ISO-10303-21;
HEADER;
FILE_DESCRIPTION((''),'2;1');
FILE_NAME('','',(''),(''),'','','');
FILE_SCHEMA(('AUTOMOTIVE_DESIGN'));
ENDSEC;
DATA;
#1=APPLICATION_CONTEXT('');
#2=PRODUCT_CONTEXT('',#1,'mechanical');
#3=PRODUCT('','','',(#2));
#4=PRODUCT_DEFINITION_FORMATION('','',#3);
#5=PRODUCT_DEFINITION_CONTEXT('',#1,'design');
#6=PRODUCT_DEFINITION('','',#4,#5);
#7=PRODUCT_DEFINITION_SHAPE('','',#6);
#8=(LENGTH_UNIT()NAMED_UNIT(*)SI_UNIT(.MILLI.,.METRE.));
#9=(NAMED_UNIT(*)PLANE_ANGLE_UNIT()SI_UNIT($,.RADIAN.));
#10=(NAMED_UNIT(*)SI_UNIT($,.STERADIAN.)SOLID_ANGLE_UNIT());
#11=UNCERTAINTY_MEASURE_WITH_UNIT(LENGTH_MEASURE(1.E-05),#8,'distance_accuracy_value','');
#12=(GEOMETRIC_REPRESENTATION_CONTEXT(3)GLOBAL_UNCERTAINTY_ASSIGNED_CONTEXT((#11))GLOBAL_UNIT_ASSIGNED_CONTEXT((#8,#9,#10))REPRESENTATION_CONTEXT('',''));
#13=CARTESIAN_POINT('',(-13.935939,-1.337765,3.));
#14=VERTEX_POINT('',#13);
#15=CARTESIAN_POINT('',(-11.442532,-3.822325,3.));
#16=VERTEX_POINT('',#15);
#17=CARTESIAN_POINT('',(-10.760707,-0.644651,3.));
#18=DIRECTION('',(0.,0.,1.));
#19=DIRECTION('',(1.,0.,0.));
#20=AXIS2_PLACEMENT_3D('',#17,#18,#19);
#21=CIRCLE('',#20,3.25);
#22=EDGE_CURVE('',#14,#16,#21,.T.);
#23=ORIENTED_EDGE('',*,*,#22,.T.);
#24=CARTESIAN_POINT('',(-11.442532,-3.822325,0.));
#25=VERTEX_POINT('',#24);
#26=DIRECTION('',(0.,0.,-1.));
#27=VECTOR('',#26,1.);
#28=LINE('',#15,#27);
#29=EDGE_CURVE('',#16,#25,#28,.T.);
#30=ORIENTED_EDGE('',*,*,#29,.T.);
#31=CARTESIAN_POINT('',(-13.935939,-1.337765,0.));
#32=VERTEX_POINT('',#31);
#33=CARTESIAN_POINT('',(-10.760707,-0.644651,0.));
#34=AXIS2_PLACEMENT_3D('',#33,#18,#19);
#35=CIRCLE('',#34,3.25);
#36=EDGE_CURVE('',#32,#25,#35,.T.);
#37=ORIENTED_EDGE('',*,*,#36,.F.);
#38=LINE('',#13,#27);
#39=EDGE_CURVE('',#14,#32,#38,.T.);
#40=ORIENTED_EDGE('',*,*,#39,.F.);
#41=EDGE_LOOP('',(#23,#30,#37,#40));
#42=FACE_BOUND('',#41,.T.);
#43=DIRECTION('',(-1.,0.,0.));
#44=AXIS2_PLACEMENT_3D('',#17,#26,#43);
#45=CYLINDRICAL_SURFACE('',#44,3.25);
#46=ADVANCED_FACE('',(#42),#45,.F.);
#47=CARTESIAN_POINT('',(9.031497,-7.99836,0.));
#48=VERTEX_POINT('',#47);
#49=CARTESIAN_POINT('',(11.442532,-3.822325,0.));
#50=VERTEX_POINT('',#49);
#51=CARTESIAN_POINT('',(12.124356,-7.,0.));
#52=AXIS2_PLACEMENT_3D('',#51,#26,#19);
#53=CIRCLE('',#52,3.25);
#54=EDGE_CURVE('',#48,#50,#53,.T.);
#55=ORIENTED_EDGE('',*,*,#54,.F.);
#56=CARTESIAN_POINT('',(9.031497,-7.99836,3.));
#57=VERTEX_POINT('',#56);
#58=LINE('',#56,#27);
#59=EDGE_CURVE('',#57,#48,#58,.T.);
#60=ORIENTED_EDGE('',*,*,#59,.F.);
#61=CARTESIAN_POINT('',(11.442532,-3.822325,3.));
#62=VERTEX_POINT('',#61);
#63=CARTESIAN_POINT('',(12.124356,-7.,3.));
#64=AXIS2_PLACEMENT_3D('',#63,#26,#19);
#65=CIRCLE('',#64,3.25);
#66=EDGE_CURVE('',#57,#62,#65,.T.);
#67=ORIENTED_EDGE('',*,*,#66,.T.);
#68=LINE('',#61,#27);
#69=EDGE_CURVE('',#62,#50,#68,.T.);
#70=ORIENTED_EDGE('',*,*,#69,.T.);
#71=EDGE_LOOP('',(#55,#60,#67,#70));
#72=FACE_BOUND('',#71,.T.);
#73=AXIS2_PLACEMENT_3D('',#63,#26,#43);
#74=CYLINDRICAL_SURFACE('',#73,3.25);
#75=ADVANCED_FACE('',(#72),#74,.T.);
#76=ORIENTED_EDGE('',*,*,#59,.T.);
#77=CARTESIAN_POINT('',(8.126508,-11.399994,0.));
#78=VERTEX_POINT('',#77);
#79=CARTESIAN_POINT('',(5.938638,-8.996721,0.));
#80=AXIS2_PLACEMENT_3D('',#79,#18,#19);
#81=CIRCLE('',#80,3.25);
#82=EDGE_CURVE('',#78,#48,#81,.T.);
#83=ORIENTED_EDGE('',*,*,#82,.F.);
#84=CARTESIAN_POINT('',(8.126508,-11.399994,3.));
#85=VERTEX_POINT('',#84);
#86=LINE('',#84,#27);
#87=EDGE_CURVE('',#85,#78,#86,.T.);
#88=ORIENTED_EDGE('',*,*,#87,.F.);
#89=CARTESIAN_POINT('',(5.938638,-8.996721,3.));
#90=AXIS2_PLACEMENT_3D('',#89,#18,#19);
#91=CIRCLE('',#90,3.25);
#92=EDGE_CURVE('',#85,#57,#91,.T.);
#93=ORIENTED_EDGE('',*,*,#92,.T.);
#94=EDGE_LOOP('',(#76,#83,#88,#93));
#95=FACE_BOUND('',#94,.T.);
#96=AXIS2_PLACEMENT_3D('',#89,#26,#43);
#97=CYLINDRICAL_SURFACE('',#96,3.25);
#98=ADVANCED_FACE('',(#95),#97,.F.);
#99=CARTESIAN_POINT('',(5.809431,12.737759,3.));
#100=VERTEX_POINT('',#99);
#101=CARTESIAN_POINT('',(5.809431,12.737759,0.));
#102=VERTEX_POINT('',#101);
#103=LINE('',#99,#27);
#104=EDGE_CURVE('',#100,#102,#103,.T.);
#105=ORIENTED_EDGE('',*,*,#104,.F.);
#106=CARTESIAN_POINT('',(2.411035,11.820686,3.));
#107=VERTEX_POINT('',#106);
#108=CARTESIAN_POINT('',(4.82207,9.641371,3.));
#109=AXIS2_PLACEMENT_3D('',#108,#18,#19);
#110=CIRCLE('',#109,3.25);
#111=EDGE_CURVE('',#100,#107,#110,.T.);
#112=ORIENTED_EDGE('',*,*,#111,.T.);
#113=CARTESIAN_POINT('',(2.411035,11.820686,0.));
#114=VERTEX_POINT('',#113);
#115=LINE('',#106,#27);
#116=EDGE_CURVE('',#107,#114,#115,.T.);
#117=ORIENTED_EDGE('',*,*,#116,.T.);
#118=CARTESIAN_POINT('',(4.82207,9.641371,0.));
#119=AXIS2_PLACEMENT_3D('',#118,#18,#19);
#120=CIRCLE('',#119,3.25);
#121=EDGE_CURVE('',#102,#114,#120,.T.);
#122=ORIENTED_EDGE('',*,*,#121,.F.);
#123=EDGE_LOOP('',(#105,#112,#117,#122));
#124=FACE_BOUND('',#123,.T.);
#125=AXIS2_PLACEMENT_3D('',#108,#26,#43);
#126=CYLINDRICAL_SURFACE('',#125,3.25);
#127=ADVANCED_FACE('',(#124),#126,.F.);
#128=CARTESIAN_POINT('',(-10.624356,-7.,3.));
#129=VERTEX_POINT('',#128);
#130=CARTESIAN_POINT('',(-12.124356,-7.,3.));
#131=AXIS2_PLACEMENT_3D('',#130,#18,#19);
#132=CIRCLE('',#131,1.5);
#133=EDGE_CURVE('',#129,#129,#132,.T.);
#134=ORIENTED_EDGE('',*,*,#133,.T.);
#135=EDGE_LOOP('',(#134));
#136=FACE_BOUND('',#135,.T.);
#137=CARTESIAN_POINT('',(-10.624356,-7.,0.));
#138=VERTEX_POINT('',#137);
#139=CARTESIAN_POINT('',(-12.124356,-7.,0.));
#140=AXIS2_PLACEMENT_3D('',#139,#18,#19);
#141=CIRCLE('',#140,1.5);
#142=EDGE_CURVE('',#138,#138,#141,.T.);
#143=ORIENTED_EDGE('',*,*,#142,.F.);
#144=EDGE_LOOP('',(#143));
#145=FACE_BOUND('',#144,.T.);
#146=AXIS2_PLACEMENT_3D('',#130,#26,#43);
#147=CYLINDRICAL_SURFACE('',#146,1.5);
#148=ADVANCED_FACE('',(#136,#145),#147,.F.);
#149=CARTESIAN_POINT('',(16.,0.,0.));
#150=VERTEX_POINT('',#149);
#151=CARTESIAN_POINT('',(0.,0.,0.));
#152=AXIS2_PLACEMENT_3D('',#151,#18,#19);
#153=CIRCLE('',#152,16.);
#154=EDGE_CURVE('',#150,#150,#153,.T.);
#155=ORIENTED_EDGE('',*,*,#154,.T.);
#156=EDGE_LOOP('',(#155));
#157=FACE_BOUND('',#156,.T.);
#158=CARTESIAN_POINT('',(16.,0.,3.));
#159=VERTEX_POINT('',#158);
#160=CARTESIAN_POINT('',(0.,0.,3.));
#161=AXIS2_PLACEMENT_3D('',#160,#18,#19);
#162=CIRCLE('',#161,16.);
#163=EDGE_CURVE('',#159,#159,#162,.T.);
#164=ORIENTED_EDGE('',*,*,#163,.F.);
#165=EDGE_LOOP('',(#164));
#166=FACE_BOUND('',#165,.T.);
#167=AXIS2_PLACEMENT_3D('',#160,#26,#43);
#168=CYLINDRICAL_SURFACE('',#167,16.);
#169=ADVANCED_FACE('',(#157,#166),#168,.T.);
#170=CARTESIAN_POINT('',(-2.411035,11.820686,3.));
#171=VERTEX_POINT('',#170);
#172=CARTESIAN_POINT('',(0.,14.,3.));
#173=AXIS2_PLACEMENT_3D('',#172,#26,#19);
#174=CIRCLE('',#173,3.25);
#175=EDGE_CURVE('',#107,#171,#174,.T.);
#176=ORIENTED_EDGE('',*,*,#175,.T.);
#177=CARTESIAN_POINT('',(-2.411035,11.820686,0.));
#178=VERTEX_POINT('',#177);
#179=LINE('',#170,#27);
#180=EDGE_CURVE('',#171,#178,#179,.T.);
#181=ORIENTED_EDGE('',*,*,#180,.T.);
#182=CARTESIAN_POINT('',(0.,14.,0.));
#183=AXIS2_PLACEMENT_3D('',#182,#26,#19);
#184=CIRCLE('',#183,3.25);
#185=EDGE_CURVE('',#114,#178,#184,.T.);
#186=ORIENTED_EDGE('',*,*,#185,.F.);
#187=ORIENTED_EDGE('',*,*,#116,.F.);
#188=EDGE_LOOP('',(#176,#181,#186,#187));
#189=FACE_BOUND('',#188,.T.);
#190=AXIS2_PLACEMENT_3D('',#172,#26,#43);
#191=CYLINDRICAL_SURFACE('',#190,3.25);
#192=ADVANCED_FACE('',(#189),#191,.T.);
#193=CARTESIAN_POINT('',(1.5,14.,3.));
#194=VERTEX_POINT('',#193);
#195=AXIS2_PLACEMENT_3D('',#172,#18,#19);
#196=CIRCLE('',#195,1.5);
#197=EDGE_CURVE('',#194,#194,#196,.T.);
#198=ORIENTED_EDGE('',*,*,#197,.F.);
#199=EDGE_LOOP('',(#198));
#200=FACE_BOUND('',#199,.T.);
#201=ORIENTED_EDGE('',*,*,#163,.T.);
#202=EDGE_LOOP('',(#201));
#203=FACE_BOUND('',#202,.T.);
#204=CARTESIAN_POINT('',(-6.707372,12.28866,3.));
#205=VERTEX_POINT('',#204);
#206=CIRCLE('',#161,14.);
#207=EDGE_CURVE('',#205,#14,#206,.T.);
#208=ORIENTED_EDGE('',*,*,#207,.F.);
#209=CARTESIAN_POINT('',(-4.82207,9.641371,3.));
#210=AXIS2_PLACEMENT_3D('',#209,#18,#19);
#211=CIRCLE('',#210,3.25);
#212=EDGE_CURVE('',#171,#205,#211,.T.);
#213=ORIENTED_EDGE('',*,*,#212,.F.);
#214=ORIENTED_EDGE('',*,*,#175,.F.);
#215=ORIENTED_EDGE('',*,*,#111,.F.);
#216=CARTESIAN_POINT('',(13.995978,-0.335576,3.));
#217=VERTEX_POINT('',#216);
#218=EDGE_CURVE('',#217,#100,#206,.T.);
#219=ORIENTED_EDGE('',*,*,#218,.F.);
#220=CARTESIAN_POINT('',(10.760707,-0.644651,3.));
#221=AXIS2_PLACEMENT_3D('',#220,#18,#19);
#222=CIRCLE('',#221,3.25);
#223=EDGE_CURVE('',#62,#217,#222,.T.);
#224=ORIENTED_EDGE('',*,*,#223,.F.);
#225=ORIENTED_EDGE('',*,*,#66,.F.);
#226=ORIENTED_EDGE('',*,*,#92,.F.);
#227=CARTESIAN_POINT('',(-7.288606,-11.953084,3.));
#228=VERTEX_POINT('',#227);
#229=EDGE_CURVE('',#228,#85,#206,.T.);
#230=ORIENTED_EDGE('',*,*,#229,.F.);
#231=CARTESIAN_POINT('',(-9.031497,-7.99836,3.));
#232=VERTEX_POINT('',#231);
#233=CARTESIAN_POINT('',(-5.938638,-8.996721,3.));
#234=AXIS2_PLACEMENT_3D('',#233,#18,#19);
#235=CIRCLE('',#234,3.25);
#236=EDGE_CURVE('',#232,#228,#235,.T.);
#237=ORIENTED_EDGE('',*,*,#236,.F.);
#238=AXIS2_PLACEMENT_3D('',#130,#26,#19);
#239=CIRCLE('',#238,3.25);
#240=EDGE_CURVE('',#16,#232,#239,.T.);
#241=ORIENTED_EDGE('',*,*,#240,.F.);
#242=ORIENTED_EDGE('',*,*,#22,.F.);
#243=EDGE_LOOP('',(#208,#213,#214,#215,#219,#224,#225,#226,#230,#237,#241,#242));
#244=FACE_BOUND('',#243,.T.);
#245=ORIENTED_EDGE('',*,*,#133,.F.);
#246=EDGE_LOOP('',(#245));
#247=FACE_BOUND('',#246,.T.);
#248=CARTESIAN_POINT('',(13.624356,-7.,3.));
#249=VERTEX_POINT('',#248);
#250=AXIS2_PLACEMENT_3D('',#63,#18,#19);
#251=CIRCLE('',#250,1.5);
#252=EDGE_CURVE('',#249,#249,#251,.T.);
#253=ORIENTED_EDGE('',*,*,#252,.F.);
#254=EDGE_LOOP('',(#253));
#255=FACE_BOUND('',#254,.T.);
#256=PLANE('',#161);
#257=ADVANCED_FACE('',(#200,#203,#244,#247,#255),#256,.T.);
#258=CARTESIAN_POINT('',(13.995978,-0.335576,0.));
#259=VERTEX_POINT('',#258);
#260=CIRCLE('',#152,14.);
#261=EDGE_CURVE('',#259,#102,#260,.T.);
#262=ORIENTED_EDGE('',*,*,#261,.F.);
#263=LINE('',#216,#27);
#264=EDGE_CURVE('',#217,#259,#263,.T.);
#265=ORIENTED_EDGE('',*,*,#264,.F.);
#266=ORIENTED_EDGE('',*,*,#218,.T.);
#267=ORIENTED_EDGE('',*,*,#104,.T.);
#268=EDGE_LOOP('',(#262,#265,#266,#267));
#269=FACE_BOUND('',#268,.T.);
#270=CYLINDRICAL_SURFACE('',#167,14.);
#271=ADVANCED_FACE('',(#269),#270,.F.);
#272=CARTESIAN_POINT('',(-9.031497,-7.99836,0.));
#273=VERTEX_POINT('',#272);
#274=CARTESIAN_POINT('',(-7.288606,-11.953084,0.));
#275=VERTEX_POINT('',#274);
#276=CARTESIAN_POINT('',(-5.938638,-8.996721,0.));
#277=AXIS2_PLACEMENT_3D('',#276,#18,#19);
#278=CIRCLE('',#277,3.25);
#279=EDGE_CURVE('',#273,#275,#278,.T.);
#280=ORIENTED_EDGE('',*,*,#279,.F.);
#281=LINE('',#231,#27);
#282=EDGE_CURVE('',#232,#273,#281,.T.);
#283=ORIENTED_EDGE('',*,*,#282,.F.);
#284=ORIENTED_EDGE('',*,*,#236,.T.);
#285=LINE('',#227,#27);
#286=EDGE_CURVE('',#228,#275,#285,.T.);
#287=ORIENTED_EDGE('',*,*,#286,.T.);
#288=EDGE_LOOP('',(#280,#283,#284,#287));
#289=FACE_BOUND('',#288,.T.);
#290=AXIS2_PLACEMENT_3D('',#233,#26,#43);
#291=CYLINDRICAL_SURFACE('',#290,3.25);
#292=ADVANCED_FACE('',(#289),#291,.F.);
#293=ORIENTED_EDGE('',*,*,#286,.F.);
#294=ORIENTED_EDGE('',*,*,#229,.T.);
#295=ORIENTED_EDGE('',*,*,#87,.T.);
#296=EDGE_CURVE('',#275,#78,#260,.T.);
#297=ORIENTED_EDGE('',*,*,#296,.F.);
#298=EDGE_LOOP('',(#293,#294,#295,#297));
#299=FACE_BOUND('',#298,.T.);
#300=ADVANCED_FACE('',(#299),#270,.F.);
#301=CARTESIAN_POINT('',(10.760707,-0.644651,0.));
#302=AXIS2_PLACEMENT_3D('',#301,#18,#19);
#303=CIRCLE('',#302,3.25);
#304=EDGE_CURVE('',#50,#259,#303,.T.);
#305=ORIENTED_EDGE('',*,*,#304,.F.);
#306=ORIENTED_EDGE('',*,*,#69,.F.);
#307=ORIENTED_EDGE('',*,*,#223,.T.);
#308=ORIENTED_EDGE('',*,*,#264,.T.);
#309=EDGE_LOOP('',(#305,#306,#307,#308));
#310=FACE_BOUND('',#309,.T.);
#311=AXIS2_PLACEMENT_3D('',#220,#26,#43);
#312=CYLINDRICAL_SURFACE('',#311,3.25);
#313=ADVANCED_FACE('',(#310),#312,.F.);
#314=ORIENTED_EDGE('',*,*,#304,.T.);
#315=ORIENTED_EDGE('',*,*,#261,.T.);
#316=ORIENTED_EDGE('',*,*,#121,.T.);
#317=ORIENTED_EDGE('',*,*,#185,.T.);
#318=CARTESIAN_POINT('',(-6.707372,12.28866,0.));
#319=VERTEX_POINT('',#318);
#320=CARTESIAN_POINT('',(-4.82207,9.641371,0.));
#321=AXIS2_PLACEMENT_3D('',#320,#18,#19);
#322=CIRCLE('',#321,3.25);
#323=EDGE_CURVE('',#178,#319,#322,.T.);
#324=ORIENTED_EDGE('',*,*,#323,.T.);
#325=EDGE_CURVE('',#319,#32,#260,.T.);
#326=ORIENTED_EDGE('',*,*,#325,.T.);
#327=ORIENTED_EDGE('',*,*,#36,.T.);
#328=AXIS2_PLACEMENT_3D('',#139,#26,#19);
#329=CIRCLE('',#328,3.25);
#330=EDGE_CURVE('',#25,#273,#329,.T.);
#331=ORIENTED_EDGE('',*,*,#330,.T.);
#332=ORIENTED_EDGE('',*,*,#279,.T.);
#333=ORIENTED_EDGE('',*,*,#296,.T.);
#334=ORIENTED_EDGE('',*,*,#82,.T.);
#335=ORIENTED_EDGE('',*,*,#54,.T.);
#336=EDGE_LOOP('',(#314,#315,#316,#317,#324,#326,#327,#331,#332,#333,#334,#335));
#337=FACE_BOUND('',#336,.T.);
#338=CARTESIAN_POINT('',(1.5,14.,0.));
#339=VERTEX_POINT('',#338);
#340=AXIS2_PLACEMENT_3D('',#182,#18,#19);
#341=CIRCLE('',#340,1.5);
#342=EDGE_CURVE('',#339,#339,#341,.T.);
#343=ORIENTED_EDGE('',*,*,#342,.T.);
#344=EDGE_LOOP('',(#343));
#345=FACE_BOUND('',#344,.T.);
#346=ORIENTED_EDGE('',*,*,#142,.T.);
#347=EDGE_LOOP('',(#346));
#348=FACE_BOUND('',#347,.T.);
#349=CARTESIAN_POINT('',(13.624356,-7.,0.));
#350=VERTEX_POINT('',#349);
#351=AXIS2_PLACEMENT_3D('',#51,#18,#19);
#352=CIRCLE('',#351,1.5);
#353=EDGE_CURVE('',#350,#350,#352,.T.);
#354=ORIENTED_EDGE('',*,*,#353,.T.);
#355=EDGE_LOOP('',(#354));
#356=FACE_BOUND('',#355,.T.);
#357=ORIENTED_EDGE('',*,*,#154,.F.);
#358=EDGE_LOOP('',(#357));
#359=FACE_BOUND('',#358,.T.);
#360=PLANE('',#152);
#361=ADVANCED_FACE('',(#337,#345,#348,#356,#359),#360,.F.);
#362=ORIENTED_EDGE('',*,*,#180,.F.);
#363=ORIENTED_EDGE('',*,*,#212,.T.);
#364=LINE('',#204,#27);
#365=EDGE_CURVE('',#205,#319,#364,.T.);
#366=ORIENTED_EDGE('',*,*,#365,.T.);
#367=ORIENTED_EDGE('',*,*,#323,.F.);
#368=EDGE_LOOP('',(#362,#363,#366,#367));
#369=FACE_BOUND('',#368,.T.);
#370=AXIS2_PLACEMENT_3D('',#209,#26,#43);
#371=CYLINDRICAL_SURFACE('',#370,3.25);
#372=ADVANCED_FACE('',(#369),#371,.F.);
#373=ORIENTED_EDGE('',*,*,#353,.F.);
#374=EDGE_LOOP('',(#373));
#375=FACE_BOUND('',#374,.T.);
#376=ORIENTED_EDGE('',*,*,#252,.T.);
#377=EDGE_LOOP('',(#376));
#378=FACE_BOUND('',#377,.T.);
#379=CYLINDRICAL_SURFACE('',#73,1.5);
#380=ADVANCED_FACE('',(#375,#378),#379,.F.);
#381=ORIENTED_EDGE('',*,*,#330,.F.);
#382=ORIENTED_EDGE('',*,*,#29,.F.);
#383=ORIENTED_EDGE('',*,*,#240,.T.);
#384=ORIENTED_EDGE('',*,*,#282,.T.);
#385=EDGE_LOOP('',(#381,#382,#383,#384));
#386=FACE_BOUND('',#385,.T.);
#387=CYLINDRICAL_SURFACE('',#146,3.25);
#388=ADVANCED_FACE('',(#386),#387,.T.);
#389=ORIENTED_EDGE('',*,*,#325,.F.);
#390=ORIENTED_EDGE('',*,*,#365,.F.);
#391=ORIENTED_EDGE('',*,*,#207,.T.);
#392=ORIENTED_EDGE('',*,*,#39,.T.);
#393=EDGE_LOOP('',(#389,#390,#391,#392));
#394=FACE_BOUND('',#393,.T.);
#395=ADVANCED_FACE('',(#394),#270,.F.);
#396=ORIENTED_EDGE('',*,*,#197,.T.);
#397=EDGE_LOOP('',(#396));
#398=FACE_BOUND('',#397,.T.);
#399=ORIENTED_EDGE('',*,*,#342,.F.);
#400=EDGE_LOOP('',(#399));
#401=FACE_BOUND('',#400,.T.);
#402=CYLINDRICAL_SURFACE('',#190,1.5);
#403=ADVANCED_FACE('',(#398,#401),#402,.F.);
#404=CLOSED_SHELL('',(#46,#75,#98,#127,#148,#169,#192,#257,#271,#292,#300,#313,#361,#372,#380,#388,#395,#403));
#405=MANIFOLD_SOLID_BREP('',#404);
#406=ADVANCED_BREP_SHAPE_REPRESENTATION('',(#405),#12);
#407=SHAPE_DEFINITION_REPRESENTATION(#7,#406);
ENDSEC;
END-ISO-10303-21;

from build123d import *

# Parameters (mm, degrees)
ESQUISSE1_R        = 16
ESQUISSE1_R_2      = 1.5
BOSS_EXTRU_2_DEPTH = 3


with BuildPart() as part:
    # Esquisse1 → Boss.-Extru.2 (new body)
    with BuildSketch(Plane.XY):
        Circle(ESQUISSE1_R)
        with Locations((0, 14)):
            Circle(ESQUISSE1_R_2, mode=Mode.SUBTRACT)
        with Locations((12.124355653, -7)):
            Circle(ESQUISSE1_R_2, mode=Mode.SUBTRACT)
        with Locations((-12.124355653, -7)):
            Circle(ESQUISSE1_R_2, mode=Mode.SUBTRACT)
        with BuildLine():
            ThreePointArc((-2.411034891, 11.820685714), (0, 10.75), (2.411034891, 11.820685714))
            ThreePointArc((2.411034891, 11.820685714), (3.975330286, 12.779130538), (5.80943088, 12.737759334))
            ThreePointArc((5.80943088, 12.737759334), (11.865562564, 7.430237213), (13.995977593, -0.335575935))
            ThreePointArc((13.995977593, -0.335575935), (13.382779595, -2.564868949), (11.442531564, -3.822325392))
            ThreePointArc((11.442531564, -3.822325392), (9.309773091, -5.375), (9.031496673, -7.998360322))
            ThreePointArc((9.031496673, -7.998360322), (9.079386541, -9.832302285), (8.126507731, -11.399994391))
            ThreePointArc((8.126507731, -11.399994391), (0.5019929, -13.990997217), (-7.288606081, -11.953084179))
            ThreePointArc((-7.288606081, -11.953084179), (-8.912631465, -10.307392628), (-9.031496673, -7.998360322))
            ThreePointArc((-9.031496673, -7.998360322), (-9.309773091, -5.375), (-11.442531564, -3.822325392))
            ThreePointArc((-11.442531564, -3.822325392), (-13.054716827, -2.946828253), (-13.935938611, -1.337764944))
            ThreePointArc((-13.935938611, -1.337764944), (-12.367555464, 6.560760004), (-6.707371512, 12.288660114))
            ThreePointArc((-6.707371512, 12.288660114), (-4.47014813, 12.872261577), (-2.411034891, 11.820685714))
        make_face(mode=Mode.SUBTRACT)
    extrude(amount=BOSS_EXTRU_2_DEPTH)


solid = part.part
